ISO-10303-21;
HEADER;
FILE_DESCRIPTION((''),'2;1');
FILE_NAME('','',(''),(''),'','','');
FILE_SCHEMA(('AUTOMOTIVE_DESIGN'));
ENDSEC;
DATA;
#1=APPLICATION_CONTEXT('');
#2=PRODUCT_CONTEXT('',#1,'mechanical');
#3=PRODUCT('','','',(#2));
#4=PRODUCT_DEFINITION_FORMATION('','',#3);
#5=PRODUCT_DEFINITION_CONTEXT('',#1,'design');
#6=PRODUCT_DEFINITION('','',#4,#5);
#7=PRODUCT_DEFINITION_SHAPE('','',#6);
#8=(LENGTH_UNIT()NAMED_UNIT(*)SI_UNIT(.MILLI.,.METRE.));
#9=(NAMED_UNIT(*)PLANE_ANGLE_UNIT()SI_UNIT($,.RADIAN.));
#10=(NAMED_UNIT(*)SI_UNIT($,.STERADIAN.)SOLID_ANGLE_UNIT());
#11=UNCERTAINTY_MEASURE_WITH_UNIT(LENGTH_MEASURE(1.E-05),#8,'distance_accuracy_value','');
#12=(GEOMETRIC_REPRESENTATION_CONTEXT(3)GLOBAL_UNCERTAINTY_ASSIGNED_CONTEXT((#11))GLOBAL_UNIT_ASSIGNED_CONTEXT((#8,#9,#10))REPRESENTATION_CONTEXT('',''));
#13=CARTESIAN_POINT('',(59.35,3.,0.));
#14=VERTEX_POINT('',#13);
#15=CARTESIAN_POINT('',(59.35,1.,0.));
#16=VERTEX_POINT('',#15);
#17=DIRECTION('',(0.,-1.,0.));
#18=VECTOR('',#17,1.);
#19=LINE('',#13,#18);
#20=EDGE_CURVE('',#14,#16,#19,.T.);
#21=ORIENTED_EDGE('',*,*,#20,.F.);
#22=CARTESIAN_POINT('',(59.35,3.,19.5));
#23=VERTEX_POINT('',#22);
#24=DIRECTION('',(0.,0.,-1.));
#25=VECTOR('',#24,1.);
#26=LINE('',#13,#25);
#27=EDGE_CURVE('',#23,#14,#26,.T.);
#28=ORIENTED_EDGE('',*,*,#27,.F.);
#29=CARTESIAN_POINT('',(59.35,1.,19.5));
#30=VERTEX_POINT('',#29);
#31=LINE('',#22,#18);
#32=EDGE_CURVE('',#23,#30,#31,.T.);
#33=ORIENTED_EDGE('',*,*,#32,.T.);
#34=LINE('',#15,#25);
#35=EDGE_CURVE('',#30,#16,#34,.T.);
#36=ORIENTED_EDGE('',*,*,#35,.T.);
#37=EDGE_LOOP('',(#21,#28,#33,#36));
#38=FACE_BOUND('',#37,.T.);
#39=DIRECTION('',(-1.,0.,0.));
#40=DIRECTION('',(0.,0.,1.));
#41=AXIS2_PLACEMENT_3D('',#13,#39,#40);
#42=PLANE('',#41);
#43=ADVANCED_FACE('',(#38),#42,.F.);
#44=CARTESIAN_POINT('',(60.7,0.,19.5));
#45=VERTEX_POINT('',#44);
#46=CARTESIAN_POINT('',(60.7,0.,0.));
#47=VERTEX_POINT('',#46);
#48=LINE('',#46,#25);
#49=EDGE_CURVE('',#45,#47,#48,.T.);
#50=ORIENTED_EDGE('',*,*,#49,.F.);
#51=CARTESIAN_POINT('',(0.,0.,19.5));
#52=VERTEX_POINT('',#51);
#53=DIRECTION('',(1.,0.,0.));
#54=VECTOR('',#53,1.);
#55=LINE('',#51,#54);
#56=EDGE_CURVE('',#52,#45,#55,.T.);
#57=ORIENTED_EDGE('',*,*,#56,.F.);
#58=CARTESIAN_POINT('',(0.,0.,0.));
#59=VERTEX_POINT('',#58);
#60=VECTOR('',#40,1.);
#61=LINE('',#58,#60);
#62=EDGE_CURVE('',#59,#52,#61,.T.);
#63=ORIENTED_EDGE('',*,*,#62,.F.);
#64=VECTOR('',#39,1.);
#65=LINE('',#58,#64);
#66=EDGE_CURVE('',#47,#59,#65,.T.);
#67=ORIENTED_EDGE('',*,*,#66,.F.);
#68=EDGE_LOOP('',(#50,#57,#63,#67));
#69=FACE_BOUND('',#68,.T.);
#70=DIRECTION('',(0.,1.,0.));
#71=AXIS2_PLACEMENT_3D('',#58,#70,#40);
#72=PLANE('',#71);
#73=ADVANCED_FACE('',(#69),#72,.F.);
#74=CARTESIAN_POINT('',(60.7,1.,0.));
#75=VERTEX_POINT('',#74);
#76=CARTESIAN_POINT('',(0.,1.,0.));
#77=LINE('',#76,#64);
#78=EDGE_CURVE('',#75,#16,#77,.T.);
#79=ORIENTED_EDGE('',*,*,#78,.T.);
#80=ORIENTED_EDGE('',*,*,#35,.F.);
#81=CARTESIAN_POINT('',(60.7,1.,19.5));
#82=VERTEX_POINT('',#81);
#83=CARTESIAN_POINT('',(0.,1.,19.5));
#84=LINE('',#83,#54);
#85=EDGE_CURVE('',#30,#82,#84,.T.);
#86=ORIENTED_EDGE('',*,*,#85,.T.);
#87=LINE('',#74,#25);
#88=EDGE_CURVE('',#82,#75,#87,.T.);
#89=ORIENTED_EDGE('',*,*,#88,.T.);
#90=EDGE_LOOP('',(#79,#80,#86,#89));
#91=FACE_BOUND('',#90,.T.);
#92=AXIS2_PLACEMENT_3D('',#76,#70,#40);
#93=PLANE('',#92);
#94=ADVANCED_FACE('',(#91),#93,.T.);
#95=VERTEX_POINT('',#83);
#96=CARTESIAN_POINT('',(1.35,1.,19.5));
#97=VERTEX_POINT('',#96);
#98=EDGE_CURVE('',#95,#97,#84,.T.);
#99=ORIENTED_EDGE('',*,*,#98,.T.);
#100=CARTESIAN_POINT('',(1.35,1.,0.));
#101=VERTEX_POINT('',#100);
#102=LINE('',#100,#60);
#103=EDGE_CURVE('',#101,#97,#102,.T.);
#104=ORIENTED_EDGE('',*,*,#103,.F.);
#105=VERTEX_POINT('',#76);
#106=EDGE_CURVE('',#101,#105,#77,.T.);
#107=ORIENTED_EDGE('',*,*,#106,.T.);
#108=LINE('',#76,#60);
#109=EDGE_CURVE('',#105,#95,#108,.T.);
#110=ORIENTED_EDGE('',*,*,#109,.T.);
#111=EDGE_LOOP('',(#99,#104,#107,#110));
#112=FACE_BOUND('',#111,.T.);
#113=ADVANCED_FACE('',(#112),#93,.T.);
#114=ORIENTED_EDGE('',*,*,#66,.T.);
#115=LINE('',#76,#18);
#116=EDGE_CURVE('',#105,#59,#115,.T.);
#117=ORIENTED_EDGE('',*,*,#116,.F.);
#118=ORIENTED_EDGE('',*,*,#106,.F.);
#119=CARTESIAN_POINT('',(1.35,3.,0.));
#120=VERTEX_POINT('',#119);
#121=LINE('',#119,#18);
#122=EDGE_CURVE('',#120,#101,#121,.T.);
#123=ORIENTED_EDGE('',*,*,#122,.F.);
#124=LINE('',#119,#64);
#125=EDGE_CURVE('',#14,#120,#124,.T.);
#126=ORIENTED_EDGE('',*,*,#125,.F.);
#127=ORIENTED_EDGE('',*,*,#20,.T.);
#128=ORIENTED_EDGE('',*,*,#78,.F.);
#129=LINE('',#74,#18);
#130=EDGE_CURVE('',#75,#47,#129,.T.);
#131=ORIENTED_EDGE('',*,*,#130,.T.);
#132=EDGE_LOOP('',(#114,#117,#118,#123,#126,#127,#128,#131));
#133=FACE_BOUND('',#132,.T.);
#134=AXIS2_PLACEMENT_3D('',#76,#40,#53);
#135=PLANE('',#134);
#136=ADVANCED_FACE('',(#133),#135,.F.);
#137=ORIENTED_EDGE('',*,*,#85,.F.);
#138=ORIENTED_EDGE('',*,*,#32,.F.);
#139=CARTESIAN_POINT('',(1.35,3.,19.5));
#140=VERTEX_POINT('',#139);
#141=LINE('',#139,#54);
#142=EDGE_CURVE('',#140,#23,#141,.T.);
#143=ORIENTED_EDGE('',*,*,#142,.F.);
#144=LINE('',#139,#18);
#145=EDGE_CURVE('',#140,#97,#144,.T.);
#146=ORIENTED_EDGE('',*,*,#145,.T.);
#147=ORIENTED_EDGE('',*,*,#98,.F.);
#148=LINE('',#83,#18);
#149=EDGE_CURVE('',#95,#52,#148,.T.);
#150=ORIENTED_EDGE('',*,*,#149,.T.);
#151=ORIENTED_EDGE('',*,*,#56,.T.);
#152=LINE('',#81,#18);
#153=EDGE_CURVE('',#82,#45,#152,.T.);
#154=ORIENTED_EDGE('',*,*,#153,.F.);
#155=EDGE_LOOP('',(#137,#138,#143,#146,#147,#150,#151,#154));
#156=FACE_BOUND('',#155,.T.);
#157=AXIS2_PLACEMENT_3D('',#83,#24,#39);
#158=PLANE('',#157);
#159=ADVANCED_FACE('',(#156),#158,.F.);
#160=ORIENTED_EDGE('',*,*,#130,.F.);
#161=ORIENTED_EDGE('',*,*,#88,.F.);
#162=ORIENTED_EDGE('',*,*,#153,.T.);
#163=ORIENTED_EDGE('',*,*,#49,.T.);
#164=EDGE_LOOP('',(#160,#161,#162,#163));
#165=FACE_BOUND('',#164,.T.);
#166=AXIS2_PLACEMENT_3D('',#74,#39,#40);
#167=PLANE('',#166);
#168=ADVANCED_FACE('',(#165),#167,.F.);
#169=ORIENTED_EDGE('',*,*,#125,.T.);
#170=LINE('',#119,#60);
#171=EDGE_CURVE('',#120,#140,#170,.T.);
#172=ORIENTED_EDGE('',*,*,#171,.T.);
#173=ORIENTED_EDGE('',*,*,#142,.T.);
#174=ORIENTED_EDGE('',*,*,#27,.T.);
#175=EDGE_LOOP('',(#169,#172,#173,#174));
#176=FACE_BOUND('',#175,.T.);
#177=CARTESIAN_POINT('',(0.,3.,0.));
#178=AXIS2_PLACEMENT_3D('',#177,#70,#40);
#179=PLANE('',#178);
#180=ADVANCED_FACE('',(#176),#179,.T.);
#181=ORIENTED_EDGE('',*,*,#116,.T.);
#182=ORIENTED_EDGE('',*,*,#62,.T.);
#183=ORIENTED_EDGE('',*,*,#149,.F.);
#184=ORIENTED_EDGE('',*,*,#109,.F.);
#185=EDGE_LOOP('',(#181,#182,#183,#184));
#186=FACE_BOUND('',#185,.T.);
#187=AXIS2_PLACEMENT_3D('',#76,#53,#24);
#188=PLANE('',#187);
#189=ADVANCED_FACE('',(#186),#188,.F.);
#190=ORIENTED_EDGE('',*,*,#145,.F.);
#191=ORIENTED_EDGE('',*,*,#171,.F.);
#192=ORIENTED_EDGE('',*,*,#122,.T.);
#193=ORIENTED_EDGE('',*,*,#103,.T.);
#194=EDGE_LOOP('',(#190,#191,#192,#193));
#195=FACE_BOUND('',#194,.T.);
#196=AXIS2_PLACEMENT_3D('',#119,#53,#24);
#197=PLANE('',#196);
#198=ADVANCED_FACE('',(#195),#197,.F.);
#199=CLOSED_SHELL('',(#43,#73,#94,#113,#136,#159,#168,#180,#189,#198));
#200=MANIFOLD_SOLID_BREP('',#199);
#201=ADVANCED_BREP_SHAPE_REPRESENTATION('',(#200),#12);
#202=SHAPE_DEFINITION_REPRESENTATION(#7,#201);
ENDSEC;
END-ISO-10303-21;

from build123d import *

# Parameters (mm, degrees)
SKETCH1_W           = 60.7
SKETCH1_H           = 19.5
BOSS_EXTRUDE1_DEPTH = 1
SKETCH2_W           = 58
SKETCH2_H           = 19.5
BOSS_EXTRUDE2_DEPTH = 2


with BuildPart() as part:
    # Sketch1 → Boss-Extrude1 (new body)
    with BuildSketch(Plane(origin=(0, 0, 0), x_dir=(1, 0, 0), z_dir=(0, 1, 0))):
        with Locations((30.35, -9.75)):
            Rectangle(SKETCH1_W, SKETCH1_H)
    extrude(amount=BOSS_EXTRUDE1_DEPTH)

    # Sketch2 → Boss-Extrude2 (add)
    with BuildSketch(Plane(origin=(0, 1, 0), x_dir=(1, 0, 0), z_dir=(0, 1, 0))):
        with Locations((30.35, -9.75)):
            Rectangle(SKETCH2_W, SKETCH2_H)
    extrude(amount=BOSS_EXTRUDE2_DEPTH)


solid = part.part
